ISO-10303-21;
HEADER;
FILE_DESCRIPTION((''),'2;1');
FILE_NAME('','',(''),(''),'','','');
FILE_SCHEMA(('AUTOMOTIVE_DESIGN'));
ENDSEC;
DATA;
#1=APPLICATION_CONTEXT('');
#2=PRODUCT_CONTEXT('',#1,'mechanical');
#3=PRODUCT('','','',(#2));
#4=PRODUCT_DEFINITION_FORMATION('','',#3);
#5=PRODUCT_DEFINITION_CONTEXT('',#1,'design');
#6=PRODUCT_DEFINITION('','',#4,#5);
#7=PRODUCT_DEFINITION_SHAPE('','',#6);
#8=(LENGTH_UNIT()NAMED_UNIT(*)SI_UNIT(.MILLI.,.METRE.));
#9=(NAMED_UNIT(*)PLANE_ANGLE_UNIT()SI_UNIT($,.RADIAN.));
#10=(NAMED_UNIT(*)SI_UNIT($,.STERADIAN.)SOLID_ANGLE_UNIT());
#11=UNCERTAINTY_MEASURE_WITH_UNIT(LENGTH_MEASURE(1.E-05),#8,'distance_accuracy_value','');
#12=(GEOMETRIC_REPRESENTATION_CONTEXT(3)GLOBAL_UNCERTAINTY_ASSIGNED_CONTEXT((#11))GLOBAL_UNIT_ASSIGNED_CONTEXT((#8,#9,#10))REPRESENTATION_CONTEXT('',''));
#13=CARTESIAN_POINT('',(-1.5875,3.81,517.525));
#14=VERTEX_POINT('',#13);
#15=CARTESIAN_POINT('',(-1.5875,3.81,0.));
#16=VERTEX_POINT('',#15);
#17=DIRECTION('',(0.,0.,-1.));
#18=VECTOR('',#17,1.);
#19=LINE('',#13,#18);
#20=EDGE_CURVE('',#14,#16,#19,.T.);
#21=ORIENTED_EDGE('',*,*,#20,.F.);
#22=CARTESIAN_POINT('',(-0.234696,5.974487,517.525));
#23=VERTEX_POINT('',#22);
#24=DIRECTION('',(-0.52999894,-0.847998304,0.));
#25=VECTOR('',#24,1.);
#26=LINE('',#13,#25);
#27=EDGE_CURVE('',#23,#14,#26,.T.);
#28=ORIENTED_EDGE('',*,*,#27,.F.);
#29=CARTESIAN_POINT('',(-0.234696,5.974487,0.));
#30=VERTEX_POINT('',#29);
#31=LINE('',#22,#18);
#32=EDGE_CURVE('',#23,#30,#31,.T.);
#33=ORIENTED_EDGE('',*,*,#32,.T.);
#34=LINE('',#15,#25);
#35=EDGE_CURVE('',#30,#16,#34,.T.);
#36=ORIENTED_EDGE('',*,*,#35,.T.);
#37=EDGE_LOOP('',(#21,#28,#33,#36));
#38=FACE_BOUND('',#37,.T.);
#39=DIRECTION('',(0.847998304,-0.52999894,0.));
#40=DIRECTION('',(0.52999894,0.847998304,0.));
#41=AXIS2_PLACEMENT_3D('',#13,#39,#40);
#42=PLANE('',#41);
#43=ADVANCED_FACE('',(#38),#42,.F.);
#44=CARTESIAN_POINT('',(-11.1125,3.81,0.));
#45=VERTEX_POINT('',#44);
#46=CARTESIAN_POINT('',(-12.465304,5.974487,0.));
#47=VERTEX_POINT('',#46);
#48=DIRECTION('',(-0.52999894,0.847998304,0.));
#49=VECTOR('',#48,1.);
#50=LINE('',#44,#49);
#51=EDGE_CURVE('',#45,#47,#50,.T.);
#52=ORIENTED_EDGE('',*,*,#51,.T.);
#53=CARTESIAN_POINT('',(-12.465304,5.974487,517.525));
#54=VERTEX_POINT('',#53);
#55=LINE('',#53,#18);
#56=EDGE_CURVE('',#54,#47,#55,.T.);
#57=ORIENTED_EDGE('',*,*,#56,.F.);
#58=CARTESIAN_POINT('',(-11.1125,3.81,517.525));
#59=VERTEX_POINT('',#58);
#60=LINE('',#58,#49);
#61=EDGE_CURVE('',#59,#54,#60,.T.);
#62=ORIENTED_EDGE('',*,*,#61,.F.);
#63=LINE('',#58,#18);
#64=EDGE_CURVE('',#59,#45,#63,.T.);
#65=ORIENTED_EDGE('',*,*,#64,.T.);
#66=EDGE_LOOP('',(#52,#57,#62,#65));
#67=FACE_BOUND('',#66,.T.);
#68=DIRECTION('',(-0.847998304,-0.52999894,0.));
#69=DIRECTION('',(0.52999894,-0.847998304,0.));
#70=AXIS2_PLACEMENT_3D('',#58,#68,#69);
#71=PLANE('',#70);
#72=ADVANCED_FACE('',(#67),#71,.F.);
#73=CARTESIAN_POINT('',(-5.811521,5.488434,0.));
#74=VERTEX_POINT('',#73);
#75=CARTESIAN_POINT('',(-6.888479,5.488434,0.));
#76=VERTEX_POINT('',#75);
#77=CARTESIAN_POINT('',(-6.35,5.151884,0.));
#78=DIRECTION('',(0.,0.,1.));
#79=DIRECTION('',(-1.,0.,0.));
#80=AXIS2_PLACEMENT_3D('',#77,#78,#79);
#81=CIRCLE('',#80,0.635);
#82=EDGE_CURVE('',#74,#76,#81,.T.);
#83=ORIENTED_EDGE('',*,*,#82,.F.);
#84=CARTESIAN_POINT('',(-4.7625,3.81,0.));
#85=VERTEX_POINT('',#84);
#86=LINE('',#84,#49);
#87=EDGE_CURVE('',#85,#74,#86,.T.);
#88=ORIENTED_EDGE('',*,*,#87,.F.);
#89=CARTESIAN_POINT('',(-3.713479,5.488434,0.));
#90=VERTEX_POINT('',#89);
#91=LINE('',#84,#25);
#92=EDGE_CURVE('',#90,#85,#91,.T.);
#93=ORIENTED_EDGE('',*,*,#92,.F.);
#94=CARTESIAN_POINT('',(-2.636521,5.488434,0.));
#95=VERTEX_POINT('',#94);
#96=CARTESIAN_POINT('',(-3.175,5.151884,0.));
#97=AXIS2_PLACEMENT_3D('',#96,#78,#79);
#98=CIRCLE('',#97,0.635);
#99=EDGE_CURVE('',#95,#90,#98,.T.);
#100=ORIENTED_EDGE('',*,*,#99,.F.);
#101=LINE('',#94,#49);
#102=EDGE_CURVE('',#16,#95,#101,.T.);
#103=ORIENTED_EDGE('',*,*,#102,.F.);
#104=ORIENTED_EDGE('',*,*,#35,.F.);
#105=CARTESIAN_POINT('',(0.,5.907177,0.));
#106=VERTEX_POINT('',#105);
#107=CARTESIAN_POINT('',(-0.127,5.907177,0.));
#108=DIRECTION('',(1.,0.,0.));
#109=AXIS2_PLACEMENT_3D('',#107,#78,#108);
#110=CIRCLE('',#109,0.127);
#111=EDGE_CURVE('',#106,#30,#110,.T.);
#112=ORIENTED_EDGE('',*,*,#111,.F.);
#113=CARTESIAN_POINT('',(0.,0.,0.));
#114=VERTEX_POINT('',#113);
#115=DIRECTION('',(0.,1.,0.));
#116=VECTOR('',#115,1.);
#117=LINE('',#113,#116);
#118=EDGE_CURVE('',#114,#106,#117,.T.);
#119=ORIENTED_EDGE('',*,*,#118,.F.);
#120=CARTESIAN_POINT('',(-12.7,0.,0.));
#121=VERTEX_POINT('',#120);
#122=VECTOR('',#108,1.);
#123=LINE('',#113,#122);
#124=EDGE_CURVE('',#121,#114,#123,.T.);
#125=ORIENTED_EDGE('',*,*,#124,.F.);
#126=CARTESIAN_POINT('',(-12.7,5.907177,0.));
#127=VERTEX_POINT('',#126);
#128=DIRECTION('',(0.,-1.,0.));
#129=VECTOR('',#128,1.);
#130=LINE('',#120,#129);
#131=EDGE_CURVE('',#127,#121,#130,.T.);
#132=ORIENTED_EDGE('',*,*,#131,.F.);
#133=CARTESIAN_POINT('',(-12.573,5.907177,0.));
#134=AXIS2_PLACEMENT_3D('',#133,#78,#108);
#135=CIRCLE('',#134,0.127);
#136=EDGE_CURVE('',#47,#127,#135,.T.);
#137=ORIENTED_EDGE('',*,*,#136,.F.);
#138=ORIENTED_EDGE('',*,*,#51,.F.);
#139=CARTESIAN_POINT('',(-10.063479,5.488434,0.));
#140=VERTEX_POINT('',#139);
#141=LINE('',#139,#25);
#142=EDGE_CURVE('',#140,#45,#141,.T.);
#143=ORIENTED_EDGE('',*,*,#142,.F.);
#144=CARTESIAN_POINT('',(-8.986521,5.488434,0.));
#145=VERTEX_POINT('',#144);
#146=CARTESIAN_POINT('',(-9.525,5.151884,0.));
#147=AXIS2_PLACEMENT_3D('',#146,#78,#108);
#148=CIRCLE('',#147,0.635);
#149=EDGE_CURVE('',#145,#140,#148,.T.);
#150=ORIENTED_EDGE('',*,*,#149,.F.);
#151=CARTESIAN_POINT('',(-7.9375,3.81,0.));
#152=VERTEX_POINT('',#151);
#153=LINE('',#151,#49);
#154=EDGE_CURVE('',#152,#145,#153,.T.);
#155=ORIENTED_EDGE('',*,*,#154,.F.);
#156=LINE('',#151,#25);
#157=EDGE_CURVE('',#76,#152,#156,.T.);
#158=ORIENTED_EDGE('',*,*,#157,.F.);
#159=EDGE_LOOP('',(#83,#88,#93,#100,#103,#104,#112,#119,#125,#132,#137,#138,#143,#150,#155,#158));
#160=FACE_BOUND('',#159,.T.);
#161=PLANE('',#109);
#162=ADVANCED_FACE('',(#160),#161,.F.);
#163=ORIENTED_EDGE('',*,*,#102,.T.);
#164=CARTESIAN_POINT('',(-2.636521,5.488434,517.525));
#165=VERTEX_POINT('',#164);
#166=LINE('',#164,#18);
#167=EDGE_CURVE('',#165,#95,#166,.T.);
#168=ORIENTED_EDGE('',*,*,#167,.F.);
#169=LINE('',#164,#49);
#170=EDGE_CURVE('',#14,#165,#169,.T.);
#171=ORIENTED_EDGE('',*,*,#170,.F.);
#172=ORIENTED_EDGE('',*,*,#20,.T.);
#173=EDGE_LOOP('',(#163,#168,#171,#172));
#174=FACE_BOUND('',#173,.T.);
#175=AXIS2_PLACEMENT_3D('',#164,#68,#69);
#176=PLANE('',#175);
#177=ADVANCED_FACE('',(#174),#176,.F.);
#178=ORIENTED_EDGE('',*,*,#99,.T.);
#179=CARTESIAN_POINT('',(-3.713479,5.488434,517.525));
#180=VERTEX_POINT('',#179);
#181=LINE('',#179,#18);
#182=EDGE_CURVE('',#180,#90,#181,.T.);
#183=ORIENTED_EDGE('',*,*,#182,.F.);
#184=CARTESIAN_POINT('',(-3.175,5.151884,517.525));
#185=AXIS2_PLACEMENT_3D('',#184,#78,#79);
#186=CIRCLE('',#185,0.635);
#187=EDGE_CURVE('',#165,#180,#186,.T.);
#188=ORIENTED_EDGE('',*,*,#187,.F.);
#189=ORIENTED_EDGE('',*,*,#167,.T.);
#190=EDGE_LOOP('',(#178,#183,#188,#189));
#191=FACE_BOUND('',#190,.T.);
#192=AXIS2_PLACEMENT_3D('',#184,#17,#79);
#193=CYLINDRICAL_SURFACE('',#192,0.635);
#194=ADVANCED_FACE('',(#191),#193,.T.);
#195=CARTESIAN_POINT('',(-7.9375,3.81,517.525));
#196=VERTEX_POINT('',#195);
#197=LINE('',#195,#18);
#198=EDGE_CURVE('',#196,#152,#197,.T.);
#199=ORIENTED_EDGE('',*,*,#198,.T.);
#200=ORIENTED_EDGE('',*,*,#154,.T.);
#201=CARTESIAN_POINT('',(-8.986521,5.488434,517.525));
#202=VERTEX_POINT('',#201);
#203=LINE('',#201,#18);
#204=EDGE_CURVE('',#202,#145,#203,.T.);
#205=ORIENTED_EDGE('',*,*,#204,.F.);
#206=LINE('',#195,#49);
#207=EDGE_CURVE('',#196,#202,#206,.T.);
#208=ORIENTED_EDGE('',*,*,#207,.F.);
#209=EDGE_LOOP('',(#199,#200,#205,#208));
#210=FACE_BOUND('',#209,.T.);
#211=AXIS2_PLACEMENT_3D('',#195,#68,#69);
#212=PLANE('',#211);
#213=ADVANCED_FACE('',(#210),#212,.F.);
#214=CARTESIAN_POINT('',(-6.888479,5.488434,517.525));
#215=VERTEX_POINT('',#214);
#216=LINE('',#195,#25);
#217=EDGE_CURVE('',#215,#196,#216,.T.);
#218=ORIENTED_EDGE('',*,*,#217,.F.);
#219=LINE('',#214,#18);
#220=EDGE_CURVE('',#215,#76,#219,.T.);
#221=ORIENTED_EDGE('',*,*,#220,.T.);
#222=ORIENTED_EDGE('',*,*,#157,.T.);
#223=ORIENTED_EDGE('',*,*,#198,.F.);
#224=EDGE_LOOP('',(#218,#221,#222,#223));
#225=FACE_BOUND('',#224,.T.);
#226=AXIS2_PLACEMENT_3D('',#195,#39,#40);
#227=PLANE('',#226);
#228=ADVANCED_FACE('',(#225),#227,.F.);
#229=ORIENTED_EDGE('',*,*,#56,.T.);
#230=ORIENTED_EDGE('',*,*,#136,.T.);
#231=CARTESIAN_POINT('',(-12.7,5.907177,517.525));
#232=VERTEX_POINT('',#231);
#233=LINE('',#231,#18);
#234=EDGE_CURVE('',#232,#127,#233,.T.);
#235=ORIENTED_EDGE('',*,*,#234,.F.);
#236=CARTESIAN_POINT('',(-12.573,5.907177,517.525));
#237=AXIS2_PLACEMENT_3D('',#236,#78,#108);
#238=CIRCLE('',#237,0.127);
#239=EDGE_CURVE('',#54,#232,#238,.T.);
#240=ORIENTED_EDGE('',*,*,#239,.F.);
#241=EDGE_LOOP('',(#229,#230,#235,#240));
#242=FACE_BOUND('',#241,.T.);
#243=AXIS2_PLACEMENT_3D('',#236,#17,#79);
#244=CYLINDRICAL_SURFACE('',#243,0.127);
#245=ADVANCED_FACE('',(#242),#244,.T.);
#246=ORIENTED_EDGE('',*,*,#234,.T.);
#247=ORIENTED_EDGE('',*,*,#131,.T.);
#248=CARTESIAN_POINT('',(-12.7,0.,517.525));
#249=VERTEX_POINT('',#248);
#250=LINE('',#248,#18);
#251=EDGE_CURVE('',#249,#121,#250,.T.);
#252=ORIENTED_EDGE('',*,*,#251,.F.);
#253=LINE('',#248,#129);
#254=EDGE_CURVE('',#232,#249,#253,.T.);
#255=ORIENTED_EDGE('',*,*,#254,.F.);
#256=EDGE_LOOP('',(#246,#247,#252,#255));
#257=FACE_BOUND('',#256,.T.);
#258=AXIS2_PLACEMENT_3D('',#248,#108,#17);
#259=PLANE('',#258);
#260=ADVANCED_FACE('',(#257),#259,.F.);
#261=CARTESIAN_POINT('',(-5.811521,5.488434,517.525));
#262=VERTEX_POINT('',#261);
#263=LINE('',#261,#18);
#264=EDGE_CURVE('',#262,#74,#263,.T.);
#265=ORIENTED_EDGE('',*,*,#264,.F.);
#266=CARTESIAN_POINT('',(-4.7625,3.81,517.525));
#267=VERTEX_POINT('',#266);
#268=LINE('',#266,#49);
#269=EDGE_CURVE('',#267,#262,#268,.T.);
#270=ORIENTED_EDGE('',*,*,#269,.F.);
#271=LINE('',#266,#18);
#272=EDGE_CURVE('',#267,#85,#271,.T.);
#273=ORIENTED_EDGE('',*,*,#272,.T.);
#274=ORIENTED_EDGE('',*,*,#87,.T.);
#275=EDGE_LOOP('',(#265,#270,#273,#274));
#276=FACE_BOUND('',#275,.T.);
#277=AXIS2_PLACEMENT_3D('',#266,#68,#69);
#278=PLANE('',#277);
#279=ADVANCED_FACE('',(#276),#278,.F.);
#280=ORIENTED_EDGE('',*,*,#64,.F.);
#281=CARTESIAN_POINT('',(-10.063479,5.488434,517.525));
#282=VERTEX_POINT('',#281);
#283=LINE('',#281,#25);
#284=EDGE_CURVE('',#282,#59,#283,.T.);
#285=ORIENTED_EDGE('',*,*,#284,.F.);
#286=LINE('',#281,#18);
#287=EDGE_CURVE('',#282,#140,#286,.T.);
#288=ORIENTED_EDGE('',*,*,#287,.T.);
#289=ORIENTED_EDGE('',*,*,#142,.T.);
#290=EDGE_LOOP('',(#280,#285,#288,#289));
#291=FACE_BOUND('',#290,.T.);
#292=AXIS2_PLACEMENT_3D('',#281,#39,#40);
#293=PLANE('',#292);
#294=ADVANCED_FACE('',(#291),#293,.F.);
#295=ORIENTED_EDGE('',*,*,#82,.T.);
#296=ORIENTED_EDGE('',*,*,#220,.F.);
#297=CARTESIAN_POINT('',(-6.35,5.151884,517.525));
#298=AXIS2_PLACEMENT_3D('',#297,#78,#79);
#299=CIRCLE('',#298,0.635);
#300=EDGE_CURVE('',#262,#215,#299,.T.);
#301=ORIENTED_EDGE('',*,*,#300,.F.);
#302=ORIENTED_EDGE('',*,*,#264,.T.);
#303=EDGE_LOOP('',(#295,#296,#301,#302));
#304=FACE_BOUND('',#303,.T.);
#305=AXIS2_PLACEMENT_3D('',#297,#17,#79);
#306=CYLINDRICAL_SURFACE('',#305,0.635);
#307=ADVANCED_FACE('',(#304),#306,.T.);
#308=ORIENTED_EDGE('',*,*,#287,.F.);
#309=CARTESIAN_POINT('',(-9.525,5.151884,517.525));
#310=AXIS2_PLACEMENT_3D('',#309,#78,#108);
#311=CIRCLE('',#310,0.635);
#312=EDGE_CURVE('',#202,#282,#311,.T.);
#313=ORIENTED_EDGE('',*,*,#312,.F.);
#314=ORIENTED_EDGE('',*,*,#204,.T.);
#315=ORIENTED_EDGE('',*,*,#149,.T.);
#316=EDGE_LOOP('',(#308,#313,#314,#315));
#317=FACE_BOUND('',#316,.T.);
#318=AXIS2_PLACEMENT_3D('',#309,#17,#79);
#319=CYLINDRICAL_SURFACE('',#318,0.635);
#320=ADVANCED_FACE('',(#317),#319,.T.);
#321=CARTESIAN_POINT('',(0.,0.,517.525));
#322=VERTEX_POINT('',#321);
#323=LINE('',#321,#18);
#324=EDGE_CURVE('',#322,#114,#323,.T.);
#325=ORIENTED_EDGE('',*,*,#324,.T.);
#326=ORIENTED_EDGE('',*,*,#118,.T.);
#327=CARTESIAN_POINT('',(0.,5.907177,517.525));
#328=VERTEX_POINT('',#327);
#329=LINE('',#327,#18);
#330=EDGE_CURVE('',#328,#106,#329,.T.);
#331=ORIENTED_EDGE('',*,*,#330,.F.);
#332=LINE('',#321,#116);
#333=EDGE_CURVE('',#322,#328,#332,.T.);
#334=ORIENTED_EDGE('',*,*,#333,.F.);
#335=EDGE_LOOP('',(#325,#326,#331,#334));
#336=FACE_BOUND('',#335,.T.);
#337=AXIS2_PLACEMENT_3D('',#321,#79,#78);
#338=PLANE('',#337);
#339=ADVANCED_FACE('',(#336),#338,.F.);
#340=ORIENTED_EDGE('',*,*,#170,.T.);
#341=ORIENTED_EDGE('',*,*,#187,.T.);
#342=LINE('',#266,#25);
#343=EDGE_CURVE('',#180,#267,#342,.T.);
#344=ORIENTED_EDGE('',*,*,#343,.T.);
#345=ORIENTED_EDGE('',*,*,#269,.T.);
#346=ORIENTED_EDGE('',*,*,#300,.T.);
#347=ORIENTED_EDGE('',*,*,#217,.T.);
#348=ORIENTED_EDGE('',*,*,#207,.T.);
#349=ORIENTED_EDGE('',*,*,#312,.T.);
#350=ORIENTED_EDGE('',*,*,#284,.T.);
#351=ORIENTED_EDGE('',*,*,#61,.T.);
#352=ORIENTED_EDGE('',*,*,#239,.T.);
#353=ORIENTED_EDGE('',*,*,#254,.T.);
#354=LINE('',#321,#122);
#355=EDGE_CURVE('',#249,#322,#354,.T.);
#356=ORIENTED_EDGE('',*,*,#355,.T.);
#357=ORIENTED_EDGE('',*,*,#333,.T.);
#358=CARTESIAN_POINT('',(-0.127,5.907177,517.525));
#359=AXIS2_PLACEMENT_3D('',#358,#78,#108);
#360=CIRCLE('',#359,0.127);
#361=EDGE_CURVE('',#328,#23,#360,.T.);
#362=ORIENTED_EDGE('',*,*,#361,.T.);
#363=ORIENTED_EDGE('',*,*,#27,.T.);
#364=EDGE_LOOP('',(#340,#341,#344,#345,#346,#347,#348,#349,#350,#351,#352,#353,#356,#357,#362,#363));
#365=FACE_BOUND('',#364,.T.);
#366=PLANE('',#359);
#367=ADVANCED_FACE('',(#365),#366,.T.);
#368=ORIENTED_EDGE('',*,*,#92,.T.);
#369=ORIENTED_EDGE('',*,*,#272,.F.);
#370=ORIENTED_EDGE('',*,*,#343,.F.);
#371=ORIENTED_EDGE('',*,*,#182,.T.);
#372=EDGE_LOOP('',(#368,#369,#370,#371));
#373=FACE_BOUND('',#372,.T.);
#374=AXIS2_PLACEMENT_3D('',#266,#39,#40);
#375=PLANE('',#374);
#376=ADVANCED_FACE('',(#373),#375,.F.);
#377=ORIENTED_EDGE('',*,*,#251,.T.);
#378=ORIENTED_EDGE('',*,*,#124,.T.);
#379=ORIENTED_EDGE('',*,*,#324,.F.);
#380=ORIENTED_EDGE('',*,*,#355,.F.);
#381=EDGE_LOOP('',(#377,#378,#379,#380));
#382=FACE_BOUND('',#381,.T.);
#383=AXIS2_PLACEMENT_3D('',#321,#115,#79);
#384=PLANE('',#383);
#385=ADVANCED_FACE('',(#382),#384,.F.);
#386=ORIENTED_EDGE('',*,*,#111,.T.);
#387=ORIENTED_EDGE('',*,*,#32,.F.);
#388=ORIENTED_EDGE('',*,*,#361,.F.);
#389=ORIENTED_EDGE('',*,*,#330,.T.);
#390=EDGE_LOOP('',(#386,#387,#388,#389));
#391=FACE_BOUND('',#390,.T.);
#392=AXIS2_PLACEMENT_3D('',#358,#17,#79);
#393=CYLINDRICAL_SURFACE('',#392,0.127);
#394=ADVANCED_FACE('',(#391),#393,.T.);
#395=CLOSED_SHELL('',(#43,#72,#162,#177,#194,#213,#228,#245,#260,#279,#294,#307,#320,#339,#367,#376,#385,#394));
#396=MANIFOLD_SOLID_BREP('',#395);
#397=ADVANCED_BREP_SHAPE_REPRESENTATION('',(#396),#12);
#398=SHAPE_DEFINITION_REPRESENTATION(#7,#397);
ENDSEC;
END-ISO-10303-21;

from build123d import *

# Parameters (mm, degrees)
BOSS_EXTRUDE1_DEPTH = 517.525


with BuildPart() as part:
    # Sketch1 → Boss-Extrude1 (new body)
    with BuildSketch(Plane.XY):
        with BuildLine():
            Line((0, 0), (-12.7, 0))
            Line((-12.7, 0), (-12.7, 5.907176879))
            ThreePointArc((-12.7, 5.907176879), (-12.608011679, 6.02925547), (-12.465304215, 5.974486745))
            Line((-12.465304215, 5.974486745), (-11.1125, 3.81))
            Line((-11.1125, 3.81), (-10.063478923, 5.488433723))
            ThreePointArc((-10.063478923, 5.488433723), (-9.525, 5.786884396), (-8.986521077, 5.488433723))
            Line((-8.986521077, 5.488433723), (-7.9375, 3.81))
            Line((-7.9375, 3.81), (-6.888478923, 5.488433723))
            ThreePointArc((-6.888478923, 5.488433723), (-6.35, 5.786884396), (-5.811521077, 5.488433723))
            Line((-5.811521077, 5.488433723), (-4.7625, 3.81))
            Line((-4.7625, 3.81), (-3.713478923, 5.488433723))
            ThreePointArc((-3.713478923, 5.488433723), (-3.175, 5.786884396), (-2.636521077, 5.488433723))
            Line((-2.636521077, 5.488433723), (-1.5875, 3.81))
            Line((-1.5875, 3.81), (-0.234695785, 5.974486745))
            ThreePointArc((-0.234695785, 5.974486745), (-0.091988321, 6.02925547), (0, 5.907176879))
            Line((0, 5.907176879), (0, 0))
        make_face()
    extrude(amount=BOSS_EXTRUDE1_DEPTH)


solid = part.part
